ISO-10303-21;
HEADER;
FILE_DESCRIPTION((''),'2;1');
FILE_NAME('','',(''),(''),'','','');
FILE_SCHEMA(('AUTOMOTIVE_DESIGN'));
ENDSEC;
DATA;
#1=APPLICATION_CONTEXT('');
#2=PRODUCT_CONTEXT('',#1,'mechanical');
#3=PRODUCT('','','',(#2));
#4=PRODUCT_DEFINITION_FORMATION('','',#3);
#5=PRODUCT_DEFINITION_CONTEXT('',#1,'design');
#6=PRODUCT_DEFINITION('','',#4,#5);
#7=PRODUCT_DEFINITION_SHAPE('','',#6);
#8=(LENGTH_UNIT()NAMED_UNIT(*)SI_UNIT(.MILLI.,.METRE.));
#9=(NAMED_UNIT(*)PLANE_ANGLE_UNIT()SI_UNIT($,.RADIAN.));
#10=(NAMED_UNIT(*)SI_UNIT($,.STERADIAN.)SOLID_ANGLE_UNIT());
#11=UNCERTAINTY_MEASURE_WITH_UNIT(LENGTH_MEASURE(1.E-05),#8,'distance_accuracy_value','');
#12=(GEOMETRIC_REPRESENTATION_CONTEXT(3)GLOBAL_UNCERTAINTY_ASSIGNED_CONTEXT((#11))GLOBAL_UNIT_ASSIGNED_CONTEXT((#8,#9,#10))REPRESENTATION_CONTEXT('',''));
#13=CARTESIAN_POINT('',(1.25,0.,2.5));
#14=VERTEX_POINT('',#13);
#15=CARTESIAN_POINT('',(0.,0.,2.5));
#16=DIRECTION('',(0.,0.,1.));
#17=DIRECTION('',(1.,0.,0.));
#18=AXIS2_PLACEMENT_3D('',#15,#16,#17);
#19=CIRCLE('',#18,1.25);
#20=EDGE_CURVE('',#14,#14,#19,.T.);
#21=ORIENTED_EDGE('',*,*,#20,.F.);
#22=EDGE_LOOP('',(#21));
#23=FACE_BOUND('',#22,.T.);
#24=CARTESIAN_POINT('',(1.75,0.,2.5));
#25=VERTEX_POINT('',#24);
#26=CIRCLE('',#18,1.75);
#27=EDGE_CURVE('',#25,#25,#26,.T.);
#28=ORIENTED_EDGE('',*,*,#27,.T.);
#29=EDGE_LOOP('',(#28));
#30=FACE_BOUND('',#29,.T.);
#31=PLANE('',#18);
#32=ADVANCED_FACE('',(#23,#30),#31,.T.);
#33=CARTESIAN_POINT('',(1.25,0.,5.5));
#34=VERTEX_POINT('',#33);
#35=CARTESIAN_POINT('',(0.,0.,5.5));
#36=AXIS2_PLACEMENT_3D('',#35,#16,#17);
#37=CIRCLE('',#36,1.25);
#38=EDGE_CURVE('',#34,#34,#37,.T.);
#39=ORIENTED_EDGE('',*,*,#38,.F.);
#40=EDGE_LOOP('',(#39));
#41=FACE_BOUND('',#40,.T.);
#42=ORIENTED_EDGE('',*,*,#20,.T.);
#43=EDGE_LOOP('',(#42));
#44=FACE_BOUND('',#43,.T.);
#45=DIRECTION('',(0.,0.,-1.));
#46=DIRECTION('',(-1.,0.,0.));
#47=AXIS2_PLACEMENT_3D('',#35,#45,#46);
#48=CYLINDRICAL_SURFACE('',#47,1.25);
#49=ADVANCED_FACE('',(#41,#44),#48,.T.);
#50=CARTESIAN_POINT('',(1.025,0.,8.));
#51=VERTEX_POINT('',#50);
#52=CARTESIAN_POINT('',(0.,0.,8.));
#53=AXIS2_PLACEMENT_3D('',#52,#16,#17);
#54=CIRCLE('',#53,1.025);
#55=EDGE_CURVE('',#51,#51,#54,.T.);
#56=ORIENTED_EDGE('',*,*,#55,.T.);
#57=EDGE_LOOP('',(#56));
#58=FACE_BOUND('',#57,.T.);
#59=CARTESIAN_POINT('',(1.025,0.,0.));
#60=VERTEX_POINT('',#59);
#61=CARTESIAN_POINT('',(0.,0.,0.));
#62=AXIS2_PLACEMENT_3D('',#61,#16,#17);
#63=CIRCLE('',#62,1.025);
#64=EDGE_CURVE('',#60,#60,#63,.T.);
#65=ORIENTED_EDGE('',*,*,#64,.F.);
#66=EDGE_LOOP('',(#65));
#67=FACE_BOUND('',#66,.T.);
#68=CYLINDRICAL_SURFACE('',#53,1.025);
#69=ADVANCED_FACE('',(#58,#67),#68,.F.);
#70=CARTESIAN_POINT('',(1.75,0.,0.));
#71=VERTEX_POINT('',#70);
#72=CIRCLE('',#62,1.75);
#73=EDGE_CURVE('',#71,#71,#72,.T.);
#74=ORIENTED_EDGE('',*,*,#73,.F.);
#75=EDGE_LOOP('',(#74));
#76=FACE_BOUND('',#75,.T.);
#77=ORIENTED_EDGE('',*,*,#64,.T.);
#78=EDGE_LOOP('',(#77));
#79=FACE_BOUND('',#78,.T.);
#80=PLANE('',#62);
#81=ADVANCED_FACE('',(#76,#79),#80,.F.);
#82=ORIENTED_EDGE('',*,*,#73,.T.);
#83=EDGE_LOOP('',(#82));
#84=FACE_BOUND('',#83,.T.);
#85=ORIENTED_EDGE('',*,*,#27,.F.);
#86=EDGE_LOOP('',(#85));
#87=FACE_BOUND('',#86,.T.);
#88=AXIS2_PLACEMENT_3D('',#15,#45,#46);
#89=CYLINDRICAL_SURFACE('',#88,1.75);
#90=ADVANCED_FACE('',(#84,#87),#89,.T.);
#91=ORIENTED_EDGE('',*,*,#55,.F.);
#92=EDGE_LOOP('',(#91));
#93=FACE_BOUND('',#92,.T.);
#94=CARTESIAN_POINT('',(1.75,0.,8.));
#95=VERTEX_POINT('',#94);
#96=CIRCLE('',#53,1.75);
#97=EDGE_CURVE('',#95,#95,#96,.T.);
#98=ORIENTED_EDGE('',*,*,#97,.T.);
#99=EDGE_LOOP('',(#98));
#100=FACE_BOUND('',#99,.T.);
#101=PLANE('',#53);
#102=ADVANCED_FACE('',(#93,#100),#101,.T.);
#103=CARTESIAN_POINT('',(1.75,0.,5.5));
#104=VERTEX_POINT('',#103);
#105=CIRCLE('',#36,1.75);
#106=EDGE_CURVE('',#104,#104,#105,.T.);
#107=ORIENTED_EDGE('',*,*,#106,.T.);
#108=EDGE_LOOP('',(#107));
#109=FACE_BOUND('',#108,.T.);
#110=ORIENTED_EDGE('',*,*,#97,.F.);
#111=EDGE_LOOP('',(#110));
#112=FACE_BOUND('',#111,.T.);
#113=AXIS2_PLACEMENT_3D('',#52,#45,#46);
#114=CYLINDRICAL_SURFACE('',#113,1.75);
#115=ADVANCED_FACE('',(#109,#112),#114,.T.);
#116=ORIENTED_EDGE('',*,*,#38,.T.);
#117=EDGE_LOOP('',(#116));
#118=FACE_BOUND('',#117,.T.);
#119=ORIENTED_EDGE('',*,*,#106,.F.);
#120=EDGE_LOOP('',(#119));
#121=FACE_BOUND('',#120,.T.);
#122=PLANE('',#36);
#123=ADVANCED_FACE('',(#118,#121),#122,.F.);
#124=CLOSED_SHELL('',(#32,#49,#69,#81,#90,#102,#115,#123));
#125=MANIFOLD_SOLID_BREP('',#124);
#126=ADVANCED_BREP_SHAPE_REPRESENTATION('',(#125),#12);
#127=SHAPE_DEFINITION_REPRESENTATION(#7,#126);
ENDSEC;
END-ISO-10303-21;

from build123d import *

# Parameters (mm, degrees)
SKETCH_1_R           = 1.75
EXTRUDE_1_DEPTH      = 2.5
SKETCH_2_R           = 1.25
EXTRUDE_2_DEPTH      = 3
SKETCH_3_R           = 1.75
EXTRUDE_3_DEPTH      = 2.5
HOLE_WIZARD_M2_5_1_D = 2.05


with BuildPart() as part:
    # 草图1 → 凸台-拉伸1 (new body)
    with BuildSketch(Plane.XY):
        Circle(SKETCH_1_R)
    extrude(amount=EXTRUDE_1_DEPTH)

    # 草图2 → 凸台-拉伸2 (add)
    with BuildSketch(Plane.XY.offset(2.5)):
        Circle(SKETCH_2_R)
    extrude(amount=EXTRUDE_2_DEPTH)

    # 草图3 → 凸台-拉伸3 (add)
    with BuildSketch(Plane.XY.offset(5.5)):
        Circle(SKETCH_3_R)
    extrude(amount=EXTRUDE_3_DEPTH)

    # M2.5 螺纹孔1 (through all)
    with Locations(Plane.XY.offset(8)):
        with Locations((0, 0)):
            Hole(HOLE_WIZARD_M2_5_1_D / 2)


solid = part.part
